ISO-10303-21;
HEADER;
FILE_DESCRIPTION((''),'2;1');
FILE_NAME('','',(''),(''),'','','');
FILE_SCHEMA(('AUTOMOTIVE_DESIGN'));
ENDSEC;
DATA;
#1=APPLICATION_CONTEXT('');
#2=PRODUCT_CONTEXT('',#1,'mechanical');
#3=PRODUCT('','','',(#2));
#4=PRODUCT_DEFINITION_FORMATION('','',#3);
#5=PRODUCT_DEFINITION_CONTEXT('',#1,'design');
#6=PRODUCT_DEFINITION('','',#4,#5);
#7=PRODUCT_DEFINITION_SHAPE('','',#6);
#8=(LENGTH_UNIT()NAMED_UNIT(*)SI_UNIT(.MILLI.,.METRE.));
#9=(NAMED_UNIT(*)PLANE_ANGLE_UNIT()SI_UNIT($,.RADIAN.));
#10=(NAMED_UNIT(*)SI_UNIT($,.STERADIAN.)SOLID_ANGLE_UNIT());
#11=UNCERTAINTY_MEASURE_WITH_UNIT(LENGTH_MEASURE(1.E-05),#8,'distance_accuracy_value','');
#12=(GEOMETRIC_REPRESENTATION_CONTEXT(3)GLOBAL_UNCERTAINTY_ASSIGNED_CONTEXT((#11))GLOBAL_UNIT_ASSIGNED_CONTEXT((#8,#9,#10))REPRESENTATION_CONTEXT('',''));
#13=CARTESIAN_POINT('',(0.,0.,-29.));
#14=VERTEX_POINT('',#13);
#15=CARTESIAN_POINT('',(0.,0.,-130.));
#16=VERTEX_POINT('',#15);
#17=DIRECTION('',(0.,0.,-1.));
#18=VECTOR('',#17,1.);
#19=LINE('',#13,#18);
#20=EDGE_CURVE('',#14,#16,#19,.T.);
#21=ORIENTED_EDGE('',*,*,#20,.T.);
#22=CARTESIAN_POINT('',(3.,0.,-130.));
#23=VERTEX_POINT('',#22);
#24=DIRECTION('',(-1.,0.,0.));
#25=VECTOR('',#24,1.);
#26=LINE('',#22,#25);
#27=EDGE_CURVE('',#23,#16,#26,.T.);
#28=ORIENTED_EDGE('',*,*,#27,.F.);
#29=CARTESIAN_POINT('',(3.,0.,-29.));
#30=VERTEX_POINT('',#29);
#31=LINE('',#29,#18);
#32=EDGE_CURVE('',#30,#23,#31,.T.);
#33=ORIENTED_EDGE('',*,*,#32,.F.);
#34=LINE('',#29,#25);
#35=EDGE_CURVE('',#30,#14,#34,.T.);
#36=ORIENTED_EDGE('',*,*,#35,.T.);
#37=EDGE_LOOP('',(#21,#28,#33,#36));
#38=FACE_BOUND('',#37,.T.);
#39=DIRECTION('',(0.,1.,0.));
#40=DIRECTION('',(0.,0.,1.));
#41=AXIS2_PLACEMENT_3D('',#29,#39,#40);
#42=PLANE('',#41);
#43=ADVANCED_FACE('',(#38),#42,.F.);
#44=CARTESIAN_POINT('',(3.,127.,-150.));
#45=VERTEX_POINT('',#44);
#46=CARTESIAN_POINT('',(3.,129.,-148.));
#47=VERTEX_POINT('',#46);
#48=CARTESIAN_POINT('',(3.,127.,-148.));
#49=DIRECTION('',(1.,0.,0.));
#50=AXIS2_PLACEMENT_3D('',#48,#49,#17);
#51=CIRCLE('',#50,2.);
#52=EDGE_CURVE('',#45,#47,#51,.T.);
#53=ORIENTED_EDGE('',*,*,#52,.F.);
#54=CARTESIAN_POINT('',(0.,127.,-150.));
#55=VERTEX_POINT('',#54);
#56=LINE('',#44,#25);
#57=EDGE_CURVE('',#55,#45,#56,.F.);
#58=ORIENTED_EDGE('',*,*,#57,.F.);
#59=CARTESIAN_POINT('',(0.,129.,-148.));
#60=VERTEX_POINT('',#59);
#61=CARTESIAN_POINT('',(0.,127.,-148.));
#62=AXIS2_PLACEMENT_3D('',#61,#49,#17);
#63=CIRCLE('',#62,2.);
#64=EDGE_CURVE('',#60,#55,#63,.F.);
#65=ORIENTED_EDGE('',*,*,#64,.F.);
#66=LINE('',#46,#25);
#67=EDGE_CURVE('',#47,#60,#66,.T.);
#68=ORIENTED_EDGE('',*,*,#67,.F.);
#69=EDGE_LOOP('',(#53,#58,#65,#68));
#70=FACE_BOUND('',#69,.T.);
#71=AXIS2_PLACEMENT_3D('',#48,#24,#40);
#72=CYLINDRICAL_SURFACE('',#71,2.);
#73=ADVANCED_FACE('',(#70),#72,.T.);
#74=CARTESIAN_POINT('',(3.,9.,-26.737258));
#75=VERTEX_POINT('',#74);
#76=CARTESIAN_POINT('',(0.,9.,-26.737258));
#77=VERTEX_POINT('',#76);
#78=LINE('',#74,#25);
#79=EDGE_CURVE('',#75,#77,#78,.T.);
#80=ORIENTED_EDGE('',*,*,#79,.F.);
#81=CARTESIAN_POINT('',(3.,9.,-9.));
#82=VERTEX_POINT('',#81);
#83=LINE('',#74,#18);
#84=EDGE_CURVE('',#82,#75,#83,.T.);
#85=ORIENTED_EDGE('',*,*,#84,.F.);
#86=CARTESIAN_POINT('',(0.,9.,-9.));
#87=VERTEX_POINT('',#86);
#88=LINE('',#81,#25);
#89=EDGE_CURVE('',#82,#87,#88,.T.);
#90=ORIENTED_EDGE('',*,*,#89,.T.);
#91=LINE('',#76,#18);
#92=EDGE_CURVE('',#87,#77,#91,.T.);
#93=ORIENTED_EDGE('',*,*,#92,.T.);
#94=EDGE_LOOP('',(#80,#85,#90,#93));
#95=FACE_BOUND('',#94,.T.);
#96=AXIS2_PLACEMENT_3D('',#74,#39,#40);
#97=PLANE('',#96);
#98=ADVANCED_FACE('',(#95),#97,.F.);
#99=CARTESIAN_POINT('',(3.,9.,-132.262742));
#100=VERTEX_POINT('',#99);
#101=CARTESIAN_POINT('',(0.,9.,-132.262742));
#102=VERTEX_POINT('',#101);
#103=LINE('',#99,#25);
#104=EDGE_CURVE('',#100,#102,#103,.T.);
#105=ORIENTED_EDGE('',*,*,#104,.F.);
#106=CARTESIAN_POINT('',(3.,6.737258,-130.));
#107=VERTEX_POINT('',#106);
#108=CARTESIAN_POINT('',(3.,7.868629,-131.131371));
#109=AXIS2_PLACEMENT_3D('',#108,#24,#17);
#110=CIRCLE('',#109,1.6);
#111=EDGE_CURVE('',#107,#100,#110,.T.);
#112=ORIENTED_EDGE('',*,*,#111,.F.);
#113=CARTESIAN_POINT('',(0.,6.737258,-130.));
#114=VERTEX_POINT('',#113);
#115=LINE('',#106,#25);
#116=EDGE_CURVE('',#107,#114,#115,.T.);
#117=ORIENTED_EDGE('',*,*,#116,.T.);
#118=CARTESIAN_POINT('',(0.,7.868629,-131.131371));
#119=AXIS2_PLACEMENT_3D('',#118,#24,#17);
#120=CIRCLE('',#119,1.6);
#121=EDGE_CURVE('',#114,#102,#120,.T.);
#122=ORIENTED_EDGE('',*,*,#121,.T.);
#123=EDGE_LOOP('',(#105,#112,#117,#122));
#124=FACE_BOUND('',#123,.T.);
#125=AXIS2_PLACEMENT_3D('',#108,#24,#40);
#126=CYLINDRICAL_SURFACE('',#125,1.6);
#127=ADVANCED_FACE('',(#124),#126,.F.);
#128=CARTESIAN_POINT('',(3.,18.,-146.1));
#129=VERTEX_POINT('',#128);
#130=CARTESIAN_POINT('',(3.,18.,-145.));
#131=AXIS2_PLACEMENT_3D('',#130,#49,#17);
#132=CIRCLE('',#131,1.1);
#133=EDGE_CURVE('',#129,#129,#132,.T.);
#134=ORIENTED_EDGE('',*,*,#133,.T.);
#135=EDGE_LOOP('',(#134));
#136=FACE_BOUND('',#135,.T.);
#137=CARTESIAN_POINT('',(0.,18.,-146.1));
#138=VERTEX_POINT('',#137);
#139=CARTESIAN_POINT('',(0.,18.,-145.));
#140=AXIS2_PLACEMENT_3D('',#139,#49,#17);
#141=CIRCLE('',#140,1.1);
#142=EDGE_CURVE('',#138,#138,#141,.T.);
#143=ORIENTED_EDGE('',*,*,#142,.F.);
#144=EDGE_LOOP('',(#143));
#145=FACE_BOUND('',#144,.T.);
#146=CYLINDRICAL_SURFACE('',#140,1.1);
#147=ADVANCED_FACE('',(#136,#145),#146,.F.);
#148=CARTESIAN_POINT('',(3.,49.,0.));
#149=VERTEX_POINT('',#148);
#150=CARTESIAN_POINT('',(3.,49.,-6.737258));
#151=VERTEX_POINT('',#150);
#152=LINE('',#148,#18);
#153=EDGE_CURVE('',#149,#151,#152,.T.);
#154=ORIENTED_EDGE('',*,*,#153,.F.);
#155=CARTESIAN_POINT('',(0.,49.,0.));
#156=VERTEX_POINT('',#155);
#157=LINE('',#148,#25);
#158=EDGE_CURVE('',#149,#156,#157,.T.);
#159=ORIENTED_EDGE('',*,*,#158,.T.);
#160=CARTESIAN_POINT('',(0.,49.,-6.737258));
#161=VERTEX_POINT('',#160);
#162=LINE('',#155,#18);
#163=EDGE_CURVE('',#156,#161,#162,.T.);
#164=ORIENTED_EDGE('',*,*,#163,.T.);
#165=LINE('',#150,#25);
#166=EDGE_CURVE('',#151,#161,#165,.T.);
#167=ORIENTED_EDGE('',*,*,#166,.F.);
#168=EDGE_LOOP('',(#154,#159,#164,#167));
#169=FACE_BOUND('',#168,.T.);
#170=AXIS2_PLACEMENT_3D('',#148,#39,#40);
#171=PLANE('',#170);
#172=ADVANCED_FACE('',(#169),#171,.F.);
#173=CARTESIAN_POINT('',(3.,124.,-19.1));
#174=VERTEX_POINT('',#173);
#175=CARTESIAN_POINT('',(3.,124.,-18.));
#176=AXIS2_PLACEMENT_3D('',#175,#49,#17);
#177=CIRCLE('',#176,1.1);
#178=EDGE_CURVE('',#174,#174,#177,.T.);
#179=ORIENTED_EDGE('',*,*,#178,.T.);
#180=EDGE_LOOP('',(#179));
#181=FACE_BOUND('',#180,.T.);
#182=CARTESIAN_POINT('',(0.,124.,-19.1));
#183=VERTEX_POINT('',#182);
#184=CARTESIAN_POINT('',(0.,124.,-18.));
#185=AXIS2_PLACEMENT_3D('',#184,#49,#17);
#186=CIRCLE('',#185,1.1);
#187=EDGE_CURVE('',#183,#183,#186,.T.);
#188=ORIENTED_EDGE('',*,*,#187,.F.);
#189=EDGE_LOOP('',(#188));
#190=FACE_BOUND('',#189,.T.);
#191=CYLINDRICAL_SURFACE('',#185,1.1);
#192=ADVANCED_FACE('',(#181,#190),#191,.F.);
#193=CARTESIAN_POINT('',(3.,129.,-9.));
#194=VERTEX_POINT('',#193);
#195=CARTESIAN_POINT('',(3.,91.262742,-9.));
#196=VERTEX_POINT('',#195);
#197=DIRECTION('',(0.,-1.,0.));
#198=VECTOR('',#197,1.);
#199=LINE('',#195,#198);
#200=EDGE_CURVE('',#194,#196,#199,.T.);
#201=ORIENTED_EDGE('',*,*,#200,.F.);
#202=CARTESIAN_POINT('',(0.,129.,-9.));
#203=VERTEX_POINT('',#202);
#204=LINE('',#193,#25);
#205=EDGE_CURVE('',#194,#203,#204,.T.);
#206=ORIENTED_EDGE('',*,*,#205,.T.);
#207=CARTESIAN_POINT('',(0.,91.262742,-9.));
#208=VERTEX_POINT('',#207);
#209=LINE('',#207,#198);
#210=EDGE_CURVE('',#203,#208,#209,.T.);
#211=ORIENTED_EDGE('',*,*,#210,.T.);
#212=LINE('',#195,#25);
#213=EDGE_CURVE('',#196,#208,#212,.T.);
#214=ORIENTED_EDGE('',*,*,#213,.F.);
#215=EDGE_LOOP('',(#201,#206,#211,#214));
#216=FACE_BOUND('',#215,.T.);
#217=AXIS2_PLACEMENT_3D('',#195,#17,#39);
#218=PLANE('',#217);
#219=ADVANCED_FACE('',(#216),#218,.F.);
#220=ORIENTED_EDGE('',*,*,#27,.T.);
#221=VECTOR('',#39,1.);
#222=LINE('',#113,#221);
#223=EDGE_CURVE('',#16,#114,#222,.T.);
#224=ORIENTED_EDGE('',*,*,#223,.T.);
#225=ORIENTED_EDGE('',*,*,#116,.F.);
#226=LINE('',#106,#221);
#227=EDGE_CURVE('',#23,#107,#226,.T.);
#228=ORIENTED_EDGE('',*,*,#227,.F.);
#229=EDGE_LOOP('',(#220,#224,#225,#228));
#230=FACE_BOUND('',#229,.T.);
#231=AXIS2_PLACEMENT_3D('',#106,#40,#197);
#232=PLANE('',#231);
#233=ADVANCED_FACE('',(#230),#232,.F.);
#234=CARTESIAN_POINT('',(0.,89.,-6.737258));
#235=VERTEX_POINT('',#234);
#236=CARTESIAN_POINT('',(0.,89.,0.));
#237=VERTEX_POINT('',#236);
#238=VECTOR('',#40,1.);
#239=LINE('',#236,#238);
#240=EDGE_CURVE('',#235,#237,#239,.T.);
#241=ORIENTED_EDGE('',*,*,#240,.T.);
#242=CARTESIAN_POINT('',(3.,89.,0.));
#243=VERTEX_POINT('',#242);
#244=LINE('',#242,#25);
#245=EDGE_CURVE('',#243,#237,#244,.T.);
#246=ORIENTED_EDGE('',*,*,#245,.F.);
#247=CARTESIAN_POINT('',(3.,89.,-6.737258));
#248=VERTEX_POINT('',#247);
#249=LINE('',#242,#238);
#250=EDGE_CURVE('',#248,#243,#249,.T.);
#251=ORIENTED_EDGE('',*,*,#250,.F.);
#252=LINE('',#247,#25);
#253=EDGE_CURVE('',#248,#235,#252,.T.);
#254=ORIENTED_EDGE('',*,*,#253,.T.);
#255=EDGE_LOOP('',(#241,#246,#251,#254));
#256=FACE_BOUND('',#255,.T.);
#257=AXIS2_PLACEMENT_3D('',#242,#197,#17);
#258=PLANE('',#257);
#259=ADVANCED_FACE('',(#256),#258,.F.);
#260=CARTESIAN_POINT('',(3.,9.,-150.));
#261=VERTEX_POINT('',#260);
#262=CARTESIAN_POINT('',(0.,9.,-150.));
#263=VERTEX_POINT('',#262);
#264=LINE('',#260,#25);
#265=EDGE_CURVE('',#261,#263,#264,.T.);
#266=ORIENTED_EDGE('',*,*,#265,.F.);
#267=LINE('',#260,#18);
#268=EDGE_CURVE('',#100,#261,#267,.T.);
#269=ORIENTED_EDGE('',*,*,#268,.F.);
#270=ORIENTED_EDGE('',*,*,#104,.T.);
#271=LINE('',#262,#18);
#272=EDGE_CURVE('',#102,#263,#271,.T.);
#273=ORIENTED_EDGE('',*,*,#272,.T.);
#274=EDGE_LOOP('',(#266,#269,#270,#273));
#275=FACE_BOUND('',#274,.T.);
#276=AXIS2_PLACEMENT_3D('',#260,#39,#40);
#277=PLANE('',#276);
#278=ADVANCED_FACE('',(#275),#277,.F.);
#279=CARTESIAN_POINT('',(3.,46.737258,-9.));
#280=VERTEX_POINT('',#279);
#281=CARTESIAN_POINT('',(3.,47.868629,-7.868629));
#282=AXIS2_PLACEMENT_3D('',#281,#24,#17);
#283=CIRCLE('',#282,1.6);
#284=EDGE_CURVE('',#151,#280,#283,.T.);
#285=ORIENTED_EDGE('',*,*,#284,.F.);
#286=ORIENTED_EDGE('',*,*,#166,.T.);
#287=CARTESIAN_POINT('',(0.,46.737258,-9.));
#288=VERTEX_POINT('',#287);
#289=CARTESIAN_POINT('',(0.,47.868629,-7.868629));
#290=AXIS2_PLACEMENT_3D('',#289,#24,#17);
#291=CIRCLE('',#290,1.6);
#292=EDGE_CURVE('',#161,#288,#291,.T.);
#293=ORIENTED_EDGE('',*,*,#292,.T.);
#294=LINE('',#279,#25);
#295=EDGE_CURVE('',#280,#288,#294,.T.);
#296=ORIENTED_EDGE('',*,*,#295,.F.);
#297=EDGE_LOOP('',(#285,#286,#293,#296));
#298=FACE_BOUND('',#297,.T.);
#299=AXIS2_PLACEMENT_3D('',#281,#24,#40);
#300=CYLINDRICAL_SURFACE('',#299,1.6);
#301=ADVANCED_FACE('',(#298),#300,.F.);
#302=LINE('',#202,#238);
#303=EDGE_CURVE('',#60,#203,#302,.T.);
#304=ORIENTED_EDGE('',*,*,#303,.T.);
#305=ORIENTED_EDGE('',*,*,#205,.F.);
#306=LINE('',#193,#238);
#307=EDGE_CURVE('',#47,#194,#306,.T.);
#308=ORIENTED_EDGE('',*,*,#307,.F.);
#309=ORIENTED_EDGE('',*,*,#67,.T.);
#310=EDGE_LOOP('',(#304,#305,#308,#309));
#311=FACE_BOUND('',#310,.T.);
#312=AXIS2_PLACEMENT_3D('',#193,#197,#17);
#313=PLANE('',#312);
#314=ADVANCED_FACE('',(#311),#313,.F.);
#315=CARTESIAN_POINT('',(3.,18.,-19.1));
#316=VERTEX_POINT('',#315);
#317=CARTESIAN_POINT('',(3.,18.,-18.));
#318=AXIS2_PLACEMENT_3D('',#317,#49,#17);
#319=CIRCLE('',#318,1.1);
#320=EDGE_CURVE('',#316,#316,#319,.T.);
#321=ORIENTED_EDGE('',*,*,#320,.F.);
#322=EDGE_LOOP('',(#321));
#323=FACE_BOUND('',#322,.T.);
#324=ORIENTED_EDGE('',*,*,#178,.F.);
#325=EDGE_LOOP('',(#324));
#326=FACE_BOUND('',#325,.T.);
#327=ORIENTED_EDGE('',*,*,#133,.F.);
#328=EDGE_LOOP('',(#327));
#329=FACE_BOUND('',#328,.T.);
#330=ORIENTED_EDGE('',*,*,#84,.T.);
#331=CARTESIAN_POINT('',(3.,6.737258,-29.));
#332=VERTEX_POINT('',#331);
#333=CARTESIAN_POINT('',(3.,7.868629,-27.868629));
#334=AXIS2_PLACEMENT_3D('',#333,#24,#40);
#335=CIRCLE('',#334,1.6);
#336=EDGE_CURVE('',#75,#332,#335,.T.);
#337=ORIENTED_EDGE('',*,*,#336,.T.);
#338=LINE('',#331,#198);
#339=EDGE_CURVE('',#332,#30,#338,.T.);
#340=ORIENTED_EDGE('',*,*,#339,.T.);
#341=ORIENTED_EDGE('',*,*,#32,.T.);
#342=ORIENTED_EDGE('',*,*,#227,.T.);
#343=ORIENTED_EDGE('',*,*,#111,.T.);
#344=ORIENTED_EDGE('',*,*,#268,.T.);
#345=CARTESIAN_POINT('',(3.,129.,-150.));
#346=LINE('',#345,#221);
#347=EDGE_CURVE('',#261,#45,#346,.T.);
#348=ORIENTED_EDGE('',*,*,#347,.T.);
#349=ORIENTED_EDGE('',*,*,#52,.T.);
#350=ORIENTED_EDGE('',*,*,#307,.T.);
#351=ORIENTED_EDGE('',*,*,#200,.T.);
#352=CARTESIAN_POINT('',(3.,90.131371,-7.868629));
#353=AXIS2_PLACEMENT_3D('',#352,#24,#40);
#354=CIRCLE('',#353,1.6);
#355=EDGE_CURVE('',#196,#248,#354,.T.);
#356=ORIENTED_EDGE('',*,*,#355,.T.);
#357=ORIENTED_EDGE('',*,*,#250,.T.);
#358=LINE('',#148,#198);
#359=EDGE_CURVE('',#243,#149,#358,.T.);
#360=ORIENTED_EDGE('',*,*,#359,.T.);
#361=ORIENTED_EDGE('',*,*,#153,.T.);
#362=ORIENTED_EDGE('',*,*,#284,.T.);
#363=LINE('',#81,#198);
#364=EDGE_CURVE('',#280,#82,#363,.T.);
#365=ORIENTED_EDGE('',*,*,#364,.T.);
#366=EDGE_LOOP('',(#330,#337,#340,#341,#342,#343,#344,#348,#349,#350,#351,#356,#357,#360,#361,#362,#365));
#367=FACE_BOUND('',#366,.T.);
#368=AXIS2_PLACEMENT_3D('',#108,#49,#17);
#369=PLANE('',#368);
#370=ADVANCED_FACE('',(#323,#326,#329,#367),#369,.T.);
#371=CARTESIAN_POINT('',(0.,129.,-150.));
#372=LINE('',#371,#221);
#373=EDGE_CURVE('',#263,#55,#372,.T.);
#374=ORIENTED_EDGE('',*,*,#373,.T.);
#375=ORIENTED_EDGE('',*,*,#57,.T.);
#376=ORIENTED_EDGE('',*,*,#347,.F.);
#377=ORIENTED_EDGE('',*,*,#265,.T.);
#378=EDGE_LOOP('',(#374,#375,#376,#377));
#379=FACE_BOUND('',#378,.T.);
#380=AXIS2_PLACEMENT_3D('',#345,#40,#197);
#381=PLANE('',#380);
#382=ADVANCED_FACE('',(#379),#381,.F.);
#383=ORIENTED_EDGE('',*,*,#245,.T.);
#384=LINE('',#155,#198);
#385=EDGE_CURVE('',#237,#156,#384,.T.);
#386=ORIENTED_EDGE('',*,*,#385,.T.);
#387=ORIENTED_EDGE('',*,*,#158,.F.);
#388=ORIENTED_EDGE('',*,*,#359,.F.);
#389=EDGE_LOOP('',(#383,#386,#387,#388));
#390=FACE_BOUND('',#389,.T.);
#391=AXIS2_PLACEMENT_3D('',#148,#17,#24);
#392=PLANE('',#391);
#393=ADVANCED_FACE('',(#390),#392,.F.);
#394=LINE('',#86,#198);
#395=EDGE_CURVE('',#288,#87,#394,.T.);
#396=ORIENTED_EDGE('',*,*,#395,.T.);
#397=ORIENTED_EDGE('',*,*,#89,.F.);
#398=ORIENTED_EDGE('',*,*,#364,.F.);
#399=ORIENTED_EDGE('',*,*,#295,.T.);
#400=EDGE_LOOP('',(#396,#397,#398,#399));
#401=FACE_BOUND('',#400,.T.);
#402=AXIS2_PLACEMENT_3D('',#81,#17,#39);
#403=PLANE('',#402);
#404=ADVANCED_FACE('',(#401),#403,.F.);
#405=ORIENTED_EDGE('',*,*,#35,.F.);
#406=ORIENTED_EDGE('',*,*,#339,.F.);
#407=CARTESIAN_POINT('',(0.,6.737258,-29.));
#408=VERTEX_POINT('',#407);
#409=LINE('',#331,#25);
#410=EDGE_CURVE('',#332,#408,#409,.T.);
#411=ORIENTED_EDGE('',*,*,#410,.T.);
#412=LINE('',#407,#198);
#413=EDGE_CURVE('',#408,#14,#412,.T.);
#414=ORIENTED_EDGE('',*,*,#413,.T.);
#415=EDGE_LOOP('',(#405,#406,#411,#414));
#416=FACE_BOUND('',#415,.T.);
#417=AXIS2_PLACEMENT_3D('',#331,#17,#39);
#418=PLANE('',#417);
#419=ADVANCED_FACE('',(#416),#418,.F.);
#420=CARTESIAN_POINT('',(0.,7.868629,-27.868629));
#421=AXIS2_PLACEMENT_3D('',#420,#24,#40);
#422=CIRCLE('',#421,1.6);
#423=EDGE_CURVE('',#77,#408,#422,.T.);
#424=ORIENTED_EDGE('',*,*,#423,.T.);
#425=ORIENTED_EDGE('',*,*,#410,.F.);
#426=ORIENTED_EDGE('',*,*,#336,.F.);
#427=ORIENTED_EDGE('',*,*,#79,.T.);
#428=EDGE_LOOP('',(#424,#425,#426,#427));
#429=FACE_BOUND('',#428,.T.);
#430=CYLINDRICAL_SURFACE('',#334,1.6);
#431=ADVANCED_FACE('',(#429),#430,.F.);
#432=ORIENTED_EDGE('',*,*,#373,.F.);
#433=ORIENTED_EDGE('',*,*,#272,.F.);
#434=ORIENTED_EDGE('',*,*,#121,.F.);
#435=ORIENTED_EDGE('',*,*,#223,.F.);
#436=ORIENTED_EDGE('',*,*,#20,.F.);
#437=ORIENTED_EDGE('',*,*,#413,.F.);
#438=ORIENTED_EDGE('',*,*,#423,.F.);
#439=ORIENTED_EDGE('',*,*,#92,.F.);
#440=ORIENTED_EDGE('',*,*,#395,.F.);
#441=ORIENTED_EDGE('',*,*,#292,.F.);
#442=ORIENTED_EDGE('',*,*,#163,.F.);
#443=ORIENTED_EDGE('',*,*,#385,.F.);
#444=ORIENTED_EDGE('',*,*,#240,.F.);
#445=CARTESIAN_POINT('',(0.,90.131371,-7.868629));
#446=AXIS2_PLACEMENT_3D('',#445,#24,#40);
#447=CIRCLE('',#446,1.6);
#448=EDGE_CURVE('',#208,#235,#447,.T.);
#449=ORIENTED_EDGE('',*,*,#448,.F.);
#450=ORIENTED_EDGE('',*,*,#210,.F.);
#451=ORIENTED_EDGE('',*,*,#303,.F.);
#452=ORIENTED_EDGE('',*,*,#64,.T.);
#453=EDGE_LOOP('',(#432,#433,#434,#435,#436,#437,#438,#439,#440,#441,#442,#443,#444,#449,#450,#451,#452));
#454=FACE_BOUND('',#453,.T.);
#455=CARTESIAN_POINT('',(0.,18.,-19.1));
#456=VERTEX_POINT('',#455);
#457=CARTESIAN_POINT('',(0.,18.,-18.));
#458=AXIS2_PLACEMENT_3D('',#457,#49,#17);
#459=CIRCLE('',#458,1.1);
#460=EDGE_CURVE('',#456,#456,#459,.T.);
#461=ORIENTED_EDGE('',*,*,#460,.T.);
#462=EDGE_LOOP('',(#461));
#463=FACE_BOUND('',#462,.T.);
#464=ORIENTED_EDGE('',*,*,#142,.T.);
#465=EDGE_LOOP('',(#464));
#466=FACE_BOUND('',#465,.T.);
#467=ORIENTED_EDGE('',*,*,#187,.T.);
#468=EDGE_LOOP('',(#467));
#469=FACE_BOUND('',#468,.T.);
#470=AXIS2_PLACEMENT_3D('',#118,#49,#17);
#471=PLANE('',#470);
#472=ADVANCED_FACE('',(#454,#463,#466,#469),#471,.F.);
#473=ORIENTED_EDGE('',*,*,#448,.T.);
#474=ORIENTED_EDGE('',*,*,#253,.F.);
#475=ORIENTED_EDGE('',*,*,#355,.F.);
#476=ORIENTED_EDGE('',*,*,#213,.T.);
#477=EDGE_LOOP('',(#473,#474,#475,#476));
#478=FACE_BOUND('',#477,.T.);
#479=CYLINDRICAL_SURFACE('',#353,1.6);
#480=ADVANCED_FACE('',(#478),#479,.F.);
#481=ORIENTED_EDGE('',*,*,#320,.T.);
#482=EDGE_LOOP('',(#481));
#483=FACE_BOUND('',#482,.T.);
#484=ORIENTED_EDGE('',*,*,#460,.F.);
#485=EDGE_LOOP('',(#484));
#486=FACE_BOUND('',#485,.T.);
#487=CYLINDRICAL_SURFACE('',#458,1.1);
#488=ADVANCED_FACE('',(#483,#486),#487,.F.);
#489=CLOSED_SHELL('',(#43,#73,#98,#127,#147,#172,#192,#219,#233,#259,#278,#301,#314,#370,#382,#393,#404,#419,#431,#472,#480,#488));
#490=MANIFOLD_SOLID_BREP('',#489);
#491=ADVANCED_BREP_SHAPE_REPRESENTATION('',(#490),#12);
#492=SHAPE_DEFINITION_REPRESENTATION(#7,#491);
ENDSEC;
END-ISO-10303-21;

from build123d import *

# Parameters (mm, degrees)
EXTRUSION1_DEPTH        = 3
ESQUISSE2_R             = 1.1
ENL_V_MAT_EXTRU_1_DEPTH = 4
CONG_1_R                = 2


with BuildPart() as part:
    # Esquisse1 → Extrusion1 (new body)
    with BuildSketch(Plane(origin=(0, 0, 0), x_dir=(0, 0, -1), z_dir=(1, 0, 0))):
        with BuildLine():
            Line((130, 6.7372583), (130, 0))
            Line((130, 0), (29, 0))
            Line((29, 0), (29, 6.7372583))
            ThreePointArc((29, 6.7372583), (29, 9), (26.7372583, 9))
            Line((26.7372583, 9), (9, 9))
            Line((9, 9), (9, 46.7372583))
            ThreePointArc((9, 46.7372583), (9, 49), (6.7372583, 49))
            Line((6.7372583, 49), (0, 49))
            Line((0, 49), (0, 89))
            Line((0, 89), (6.7372583, 89))
            ThreePointArc((6.7372583, 89), (9, 89), (9, 91.2627417))
            Line((9, 91.2627417), (9, 129))
            Line((9, 129), (150, 129))
            Line((150, 129), (150, 9))
            Line((150, 9), (132.2627417, 9))
            ThreePointArc((132.2627417, 9), (130, 9), (130, 6.7372583))
        make_face()
    extrude(amount=EXTRUSION1_DEPTH)

    # Esquisse2 → Enlèv. mat.-Extru.1 (cut, through all)
    with BuildSketch(Plane(origin=(3, 0, 0), x_dir=(0, 0, -1), z_dir=(1, 0, 0))):
        with Locations((18, 124)):
            Circle(ESQUISSE2_R)
        with Locations((18, 18)):
            Circle(ESQUISSE2_R)
        with Locations((145, 18)):
            Circle(ESQUISSE2_R)
    extrude(amount=-ENL_V_MAT_EXTRU_1_DEPTH, mode=Mode.SUBTRACT)

    # Congé1
    cong_1_edges = [part.edges().sort_by_distance(p)[0] for p in [
        (1.5, 129, -150),
    ]]
    fillet(cong_1_edges, radius=CONG_1_R)


solid = part.part
